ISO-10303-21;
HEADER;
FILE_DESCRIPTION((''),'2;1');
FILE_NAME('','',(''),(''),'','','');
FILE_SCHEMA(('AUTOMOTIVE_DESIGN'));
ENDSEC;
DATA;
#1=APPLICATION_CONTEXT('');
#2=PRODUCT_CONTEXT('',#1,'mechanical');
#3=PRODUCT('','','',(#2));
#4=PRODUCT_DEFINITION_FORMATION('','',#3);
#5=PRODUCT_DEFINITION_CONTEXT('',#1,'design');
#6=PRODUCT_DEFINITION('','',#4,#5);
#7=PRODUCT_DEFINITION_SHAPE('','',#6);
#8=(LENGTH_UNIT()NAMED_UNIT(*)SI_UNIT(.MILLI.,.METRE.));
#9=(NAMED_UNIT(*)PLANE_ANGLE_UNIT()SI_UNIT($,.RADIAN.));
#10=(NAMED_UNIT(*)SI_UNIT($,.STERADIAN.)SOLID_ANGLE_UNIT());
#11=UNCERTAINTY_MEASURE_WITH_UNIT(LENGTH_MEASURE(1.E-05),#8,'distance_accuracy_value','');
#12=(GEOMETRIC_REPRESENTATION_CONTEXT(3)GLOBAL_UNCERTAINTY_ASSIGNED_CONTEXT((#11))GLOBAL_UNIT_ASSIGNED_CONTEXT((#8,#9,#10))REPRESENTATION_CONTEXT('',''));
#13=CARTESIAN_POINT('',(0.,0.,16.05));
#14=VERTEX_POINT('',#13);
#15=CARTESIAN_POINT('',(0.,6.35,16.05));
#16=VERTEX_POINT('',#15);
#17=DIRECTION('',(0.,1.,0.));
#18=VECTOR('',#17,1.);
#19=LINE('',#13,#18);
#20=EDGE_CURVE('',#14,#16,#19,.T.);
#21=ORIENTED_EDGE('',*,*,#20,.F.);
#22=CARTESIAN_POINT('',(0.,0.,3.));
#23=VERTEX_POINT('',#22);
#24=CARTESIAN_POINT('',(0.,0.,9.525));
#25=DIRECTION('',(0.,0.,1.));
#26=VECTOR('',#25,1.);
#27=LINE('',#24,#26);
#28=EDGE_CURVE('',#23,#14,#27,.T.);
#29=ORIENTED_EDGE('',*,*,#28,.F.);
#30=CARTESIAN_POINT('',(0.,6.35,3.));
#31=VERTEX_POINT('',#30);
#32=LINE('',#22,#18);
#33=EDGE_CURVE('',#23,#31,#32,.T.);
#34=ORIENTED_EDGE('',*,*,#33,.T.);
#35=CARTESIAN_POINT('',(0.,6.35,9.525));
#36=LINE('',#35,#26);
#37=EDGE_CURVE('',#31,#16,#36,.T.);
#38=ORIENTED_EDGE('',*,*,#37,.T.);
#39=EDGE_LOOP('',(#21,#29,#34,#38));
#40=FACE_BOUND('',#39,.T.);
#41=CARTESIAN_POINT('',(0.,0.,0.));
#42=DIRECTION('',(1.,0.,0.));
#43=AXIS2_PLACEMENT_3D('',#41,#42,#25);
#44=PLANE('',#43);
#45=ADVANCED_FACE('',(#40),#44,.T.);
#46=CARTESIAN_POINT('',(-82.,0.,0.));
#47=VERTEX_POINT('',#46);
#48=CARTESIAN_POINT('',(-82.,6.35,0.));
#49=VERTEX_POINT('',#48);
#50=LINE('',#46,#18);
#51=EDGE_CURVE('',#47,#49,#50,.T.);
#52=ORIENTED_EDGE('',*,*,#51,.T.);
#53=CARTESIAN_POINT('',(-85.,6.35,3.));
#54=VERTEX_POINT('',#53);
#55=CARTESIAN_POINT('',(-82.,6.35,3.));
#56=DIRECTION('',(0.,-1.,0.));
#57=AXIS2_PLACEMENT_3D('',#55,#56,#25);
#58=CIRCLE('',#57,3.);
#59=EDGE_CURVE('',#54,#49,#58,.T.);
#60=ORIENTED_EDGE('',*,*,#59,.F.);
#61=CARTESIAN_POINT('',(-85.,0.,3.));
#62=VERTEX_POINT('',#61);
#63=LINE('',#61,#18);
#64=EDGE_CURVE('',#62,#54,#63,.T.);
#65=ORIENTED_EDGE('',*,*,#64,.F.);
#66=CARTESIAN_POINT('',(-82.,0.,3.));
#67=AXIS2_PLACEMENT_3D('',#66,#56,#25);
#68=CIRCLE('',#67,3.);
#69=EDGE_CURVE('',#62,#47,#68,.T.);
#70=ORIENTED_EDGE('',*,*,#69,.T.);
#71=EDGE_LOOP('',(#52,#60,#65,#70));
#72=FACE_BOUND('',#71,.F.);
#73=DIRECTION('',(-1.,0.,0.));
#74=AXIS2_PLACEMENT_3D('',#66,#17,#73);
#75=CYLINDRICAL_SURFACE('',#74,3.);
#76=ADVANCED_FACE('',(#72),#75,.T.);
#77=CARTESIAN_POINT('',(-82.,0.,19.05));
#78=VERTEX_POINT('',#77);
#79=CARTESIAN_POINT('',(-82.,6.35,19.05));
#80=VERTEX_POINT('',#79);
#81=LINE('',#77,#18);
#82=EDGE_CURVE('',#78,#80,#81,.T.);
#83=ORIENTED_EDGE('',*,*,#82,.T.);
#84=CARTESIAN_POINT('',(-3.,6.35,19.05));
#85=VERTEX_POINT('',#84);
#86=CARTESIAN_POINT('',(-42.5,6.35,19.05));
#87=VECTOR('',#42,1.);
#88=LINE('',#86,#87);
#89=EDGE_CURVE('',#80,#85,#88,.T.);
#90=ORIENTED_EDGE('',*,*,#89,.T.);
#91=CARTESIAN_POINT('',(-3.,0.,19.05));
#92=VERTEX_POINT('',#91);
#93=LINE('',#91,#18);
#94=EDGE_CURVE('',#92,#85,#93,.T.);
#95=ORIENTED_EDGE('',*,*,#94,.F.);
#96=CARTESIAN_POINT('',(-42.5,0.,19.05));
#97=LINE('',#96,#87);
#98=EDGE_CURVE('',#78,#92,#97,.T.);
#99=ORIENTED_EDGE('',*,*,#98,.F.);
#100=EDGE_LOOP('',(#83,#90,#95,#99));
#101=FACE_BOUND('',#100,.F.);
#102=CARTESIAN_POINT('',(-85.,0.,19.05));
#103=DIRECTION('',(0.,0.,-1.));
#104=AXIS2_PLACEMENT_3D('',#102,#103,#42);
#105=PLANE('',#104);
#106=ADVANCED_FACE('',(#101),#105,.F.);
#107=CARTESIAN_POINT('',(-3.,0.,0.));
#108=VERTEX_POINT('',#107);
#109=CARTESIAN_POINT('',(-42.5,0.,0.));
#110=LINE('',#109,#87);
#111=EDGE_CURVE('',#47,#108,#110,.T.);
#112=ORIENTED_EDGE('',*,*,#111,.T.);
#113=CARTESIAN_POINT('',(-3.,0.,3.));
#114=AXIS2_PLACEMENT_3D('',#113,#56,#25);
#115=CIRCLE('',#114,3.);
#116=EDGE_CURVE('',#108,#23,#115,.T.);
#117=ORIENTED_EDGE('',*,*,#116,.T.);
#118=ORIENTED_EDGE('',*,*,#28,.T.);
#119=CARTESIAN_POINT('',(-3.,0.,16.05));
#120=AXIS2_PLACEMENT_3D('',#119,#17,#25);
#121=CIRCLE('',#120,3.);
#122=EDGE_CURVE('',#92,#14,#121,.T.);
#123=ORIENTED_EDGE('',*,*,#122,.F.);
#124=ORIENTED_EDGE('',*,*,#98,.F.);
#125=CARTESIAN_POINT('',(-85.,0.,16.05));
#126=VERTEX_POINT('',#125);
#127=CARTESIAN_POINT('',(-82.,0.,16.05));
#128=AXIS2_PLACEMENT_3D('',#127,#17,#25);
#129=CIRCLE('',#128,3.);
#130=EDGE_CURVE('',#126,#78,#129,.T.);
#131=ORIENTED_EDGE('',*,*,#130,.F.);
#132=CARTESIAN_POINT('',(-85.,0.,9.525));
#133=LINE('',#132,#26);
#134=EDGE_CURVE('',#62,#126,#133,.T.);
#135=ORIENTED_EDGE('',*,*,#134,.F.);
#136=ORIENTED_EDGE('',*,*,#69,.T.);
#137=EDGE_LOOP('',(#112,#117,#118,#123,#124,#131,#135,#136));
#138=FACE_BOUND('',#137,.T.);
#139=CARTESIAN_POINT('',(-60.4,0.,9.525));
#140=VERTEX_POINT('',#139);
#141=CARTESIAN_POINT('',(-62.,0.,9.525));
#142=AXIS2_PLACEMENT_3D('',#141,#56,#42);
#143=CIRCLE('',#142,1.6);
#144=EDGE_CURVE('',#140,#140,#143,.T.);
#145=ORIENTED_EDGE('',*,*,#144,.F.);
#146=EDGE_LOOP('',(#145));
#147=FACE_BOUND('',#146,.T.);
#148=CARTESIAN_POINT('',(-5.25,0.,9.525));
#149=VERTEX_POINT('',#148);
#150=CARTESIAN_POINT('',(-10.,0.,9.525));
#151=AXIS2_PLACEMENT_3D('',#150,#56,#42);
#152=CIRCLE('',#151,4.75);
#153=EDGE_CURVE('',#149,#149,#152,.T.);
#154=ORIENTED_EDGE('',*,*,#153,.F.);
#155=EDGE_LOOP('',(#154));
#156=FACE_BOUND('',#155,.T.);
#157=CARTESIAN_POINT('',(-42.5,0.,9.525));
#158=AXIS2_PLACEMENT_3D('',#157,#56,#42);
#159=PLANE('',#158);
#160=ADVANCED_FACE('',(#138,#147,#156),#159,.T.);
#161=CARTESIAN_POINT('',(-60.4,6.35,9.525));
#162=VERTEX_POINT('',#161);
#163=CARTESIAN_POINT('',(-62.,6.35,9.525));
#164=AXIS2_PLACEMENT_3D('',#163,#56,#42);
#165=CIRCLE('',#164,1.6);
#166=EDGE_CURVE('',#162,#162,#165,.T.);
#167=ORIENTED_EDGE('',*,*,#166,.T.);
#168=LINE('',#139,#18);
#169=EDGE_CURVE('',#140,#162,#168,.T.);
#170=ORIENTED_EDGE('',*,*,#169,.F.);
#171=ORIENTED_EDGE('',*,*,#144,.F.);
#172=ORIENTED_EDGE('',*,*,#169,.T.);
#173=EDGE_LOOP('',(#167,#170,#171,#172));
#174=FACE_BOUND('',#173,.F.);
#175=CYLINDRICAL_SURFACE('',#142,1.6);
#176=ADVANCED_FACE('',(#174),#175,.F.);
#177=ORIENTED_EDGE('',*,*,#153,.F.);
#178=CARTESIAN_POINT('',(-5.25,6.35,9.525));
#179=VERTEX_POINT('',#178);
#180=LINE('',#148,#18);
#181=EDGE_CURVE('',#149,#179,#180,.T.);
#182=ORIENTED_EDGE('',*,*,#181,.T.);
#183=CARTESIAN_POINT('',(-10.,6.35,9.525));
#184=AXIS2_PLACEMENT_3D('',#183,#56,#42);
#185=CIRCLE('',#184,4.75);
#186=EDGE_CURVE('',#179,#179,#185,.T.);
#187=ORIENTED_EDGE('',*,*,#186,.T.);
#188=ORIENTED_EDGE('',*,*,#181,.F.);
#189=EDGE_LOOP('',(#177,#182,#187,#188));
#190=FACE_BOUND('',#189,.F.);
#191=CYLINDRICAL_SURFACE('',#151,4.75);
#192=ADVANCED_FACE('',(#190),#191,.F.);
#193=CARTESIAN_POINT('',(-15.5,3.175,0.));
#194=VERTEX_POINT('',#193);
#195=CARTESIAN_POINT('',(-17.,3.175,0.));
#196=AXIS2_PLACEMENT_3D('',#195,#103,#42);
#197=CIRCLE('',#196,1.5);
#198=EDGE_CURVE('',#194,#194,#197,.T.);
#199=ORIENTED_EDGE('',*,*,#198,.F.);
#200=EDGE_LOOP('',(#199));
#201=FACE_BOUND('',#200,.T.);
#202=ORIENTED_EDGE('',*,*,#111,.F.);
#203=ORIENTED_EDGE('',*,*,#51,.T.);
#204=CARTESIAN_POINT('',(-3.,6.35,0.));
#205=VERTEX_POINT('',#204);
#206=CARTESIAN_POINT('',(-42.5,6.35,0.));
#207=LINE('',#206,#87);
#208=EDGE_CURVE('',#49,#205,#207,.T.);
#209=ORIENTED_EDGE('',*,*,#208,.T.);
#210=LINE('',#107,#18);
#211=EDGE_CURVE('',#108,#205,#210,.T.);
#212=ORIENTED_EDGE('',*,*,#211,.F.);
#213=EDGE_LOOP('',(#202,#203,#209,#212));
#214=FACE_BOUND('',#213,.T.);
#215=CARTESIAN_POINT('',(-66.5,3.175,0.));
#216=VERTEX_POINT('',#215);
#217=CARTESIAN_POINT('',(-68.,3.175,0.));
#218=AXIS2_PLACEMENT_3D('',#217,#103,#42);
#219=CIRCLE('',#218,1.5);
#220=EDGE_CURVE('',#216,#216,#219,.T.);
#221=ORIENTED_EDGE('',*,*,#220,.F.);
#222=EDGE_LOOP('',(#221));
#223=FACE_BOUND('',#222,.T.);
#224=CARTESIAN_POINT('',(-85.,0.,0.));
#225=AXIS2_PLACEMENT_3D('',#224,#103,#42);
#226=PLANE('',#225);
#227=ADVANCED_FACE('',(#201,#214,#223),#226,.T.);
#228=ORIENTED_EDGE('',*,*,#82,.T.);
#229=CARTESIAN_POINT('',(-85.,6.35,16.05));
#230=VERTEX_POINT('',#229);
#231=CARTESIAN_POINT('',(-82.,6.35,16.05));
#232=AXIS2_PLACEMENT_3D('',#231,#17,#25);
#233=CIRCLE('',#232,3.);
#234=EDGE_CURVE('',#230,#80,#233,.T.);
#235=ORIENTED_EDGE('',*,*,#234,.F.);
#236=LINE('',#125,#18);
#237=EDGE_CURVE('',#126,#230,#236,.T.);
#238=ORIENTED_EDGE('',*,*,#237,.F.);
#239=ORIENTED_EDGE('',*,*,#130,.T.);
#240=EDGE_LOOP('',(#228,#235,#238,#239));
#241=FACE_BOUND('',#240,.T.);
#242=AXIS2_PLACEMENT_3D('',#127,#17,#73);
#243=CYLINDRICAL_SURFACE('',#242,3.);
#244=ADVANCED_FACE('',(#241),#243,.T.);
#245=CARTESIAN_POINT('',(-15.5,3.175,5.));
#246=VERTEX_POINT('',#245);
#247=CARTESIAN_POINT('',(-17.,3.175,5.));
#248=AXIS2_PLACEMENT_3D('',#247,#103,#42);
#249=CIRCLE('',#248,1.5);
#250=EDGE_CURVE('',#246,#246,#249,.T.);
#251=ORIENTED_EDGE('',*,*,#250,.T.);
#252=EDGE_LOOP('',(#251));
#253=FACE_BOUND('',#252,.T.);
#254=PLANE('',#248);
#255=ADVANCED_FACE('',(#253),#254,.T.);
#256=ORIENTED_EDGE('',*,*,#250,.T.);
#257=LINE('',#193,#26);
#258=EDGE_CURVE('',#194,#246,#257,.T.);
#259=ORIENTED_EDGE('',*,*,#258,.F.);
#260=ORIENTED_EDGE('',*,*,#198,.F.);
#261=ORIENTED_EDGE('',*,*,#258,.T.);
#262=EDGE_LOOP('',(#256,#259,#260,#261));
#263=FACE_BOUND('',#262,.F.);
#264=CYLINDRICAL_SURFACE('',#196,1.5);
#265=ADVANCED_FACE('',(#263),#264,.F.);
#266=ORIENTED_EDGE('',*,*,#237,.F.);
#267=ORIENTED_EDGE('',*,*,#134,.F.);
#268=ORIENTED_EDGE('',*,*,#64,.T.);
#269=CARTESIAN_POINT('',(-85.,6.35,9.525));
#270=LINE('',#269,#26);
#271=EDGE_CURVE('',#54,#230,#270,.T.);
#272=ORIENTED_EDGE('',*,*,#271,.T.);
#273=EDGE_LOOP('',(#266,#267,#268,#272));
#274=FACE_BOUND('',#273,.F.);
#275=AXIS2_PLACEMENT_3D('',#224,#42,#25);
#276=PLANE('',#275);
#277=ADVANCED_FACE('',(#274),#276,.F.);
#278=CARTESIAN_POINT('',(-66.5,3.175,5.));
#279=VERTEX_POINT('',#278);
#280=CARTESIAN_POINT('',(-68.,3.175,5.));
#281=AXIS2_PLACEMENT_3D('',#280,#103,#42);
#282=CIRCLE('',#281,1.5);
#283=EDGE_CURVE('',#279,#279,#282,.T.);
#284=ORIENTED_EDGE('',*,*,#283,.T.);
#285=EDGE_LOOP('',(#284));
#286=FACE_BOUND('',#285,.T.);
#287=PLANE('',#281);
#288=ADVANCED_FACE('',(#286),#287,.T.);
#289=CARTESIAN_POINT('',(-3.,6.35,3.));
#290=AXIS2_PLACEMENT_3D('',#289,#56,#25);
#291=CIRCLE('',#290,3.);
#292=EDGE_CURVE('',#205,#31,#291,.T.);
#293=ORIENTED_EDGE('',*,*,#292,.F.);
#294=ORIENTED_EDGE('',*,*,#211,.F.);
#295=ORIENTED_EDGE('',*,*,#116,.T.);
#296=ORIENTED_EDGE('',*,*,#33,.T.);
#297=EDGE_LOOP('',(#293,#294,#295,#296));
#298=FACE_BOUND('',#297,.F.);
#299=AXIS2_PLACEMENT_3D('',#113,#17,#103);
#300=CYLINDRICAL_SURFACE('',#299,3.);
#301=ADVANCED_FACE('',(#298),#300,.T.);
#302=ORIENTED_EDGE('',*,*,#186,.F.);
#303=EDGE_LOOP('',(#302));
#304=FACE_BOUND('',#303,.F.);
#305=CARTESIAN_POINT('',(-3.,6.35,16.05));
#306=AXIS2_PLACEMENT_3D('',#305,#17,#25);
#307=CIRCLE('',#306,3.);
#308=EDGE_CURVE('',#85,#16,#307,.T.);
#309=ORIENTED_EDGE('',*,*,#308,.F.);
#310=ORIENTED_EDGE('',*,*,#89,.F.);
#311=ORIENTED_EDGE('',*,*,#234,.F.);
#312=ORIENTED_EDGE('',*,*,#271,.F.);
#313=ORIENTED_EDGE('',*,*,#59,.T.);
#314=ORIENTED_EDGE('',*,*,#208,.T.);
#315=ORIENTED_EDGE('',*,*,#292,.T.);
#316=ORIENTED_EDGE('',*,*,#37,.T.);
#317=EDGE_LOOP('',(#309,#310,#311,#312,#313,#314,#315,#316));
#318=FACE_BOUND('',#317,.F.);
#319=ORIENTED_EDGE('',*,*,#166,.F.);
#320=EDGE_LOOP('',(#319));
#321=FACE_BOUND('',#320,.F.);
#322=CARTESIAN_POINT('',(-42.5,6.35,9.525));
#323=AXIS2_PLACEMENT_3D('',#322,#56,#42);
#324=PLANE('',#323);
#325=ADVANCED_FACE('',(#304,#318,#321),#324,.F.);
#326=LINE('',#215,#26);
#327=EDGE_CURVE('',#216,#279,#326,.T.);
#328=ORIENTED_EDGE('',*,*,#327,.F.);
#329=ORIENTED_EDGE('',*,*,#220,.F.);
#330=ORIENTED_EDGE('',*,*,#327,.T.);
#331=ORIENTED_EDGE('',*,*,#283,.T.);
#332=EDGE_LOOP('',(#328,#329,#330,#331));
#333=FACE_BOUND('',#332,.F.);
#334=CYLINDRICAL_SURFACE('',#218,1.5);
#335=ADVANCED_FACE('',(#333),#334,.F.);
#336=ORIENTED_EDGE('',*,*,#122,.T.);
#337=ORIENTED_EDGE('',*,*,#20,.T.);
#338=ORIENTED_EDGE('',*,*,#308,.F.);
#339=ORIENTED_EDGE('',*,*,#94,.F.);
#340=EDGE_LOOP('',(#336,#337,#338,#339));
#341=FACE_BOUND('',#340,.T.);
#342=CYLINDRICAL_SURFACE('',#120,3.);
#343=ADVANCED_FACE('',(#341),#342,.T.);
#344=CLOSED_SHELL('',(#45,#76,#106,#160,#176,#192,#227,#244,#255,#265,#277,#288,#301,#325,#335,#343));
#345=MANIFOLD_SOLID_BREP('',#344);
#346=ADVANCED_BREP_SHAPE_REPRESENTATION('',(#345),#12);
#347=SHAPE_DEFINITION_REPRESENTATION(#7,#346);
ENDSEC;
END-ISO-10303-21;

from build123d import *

# Parameters (mm, degrees)
F0_W     = 85
F0_H     = 19.05
F0_R     = 1.6
F0_R_2   = 4.75
F1_DEPTH = 6.35
F2_R     = 1.5
F3_DEPTH = 5
F4_R     = 3


with BuildPart() as f1:
    # F0 (on Front) → F1 (new body)
    with BuildSketch(Plane.XZ):
        with Locations((-42.5, 9.525)):
            Rectangle(F0_W, F0_H)
        with Locations((-62, 9.525)):
            Circle(F0_R, mode=Mode.SUBTRACT)
        with Locations((-10, 9.525)):
            Circle(F0_R_2, mode=Mode.SUBTRACT)
    extrude(amount=-F1_DEPTH)

    # F2 (on face) → F3 (cut)
    with BuildSketch(Plane(origin=(0, 0, 0), x_dir=(1, 0, 0), z_dir=(0, 0, -1))):
        with Locations((-17, -3.175)):
            Circle(F2_R)
        with Locations((-68, -3.175)):
            Circle(F2_R)
    extrude(amount=-F3_DEPTH, mode=Mode.SUBTRACT)

    # F4
    f4_edges = [f1.edges().sort_by_distance(p)[0] for p in [
        (-85, 3.175, 19.05),
        (-85, 3.175, 0),
        (0, 3.175, 0),
        (0, 3.175, 19.05),
    ]]
    fillet(f4_edges, radius=F4_R)


solid = f1.part
